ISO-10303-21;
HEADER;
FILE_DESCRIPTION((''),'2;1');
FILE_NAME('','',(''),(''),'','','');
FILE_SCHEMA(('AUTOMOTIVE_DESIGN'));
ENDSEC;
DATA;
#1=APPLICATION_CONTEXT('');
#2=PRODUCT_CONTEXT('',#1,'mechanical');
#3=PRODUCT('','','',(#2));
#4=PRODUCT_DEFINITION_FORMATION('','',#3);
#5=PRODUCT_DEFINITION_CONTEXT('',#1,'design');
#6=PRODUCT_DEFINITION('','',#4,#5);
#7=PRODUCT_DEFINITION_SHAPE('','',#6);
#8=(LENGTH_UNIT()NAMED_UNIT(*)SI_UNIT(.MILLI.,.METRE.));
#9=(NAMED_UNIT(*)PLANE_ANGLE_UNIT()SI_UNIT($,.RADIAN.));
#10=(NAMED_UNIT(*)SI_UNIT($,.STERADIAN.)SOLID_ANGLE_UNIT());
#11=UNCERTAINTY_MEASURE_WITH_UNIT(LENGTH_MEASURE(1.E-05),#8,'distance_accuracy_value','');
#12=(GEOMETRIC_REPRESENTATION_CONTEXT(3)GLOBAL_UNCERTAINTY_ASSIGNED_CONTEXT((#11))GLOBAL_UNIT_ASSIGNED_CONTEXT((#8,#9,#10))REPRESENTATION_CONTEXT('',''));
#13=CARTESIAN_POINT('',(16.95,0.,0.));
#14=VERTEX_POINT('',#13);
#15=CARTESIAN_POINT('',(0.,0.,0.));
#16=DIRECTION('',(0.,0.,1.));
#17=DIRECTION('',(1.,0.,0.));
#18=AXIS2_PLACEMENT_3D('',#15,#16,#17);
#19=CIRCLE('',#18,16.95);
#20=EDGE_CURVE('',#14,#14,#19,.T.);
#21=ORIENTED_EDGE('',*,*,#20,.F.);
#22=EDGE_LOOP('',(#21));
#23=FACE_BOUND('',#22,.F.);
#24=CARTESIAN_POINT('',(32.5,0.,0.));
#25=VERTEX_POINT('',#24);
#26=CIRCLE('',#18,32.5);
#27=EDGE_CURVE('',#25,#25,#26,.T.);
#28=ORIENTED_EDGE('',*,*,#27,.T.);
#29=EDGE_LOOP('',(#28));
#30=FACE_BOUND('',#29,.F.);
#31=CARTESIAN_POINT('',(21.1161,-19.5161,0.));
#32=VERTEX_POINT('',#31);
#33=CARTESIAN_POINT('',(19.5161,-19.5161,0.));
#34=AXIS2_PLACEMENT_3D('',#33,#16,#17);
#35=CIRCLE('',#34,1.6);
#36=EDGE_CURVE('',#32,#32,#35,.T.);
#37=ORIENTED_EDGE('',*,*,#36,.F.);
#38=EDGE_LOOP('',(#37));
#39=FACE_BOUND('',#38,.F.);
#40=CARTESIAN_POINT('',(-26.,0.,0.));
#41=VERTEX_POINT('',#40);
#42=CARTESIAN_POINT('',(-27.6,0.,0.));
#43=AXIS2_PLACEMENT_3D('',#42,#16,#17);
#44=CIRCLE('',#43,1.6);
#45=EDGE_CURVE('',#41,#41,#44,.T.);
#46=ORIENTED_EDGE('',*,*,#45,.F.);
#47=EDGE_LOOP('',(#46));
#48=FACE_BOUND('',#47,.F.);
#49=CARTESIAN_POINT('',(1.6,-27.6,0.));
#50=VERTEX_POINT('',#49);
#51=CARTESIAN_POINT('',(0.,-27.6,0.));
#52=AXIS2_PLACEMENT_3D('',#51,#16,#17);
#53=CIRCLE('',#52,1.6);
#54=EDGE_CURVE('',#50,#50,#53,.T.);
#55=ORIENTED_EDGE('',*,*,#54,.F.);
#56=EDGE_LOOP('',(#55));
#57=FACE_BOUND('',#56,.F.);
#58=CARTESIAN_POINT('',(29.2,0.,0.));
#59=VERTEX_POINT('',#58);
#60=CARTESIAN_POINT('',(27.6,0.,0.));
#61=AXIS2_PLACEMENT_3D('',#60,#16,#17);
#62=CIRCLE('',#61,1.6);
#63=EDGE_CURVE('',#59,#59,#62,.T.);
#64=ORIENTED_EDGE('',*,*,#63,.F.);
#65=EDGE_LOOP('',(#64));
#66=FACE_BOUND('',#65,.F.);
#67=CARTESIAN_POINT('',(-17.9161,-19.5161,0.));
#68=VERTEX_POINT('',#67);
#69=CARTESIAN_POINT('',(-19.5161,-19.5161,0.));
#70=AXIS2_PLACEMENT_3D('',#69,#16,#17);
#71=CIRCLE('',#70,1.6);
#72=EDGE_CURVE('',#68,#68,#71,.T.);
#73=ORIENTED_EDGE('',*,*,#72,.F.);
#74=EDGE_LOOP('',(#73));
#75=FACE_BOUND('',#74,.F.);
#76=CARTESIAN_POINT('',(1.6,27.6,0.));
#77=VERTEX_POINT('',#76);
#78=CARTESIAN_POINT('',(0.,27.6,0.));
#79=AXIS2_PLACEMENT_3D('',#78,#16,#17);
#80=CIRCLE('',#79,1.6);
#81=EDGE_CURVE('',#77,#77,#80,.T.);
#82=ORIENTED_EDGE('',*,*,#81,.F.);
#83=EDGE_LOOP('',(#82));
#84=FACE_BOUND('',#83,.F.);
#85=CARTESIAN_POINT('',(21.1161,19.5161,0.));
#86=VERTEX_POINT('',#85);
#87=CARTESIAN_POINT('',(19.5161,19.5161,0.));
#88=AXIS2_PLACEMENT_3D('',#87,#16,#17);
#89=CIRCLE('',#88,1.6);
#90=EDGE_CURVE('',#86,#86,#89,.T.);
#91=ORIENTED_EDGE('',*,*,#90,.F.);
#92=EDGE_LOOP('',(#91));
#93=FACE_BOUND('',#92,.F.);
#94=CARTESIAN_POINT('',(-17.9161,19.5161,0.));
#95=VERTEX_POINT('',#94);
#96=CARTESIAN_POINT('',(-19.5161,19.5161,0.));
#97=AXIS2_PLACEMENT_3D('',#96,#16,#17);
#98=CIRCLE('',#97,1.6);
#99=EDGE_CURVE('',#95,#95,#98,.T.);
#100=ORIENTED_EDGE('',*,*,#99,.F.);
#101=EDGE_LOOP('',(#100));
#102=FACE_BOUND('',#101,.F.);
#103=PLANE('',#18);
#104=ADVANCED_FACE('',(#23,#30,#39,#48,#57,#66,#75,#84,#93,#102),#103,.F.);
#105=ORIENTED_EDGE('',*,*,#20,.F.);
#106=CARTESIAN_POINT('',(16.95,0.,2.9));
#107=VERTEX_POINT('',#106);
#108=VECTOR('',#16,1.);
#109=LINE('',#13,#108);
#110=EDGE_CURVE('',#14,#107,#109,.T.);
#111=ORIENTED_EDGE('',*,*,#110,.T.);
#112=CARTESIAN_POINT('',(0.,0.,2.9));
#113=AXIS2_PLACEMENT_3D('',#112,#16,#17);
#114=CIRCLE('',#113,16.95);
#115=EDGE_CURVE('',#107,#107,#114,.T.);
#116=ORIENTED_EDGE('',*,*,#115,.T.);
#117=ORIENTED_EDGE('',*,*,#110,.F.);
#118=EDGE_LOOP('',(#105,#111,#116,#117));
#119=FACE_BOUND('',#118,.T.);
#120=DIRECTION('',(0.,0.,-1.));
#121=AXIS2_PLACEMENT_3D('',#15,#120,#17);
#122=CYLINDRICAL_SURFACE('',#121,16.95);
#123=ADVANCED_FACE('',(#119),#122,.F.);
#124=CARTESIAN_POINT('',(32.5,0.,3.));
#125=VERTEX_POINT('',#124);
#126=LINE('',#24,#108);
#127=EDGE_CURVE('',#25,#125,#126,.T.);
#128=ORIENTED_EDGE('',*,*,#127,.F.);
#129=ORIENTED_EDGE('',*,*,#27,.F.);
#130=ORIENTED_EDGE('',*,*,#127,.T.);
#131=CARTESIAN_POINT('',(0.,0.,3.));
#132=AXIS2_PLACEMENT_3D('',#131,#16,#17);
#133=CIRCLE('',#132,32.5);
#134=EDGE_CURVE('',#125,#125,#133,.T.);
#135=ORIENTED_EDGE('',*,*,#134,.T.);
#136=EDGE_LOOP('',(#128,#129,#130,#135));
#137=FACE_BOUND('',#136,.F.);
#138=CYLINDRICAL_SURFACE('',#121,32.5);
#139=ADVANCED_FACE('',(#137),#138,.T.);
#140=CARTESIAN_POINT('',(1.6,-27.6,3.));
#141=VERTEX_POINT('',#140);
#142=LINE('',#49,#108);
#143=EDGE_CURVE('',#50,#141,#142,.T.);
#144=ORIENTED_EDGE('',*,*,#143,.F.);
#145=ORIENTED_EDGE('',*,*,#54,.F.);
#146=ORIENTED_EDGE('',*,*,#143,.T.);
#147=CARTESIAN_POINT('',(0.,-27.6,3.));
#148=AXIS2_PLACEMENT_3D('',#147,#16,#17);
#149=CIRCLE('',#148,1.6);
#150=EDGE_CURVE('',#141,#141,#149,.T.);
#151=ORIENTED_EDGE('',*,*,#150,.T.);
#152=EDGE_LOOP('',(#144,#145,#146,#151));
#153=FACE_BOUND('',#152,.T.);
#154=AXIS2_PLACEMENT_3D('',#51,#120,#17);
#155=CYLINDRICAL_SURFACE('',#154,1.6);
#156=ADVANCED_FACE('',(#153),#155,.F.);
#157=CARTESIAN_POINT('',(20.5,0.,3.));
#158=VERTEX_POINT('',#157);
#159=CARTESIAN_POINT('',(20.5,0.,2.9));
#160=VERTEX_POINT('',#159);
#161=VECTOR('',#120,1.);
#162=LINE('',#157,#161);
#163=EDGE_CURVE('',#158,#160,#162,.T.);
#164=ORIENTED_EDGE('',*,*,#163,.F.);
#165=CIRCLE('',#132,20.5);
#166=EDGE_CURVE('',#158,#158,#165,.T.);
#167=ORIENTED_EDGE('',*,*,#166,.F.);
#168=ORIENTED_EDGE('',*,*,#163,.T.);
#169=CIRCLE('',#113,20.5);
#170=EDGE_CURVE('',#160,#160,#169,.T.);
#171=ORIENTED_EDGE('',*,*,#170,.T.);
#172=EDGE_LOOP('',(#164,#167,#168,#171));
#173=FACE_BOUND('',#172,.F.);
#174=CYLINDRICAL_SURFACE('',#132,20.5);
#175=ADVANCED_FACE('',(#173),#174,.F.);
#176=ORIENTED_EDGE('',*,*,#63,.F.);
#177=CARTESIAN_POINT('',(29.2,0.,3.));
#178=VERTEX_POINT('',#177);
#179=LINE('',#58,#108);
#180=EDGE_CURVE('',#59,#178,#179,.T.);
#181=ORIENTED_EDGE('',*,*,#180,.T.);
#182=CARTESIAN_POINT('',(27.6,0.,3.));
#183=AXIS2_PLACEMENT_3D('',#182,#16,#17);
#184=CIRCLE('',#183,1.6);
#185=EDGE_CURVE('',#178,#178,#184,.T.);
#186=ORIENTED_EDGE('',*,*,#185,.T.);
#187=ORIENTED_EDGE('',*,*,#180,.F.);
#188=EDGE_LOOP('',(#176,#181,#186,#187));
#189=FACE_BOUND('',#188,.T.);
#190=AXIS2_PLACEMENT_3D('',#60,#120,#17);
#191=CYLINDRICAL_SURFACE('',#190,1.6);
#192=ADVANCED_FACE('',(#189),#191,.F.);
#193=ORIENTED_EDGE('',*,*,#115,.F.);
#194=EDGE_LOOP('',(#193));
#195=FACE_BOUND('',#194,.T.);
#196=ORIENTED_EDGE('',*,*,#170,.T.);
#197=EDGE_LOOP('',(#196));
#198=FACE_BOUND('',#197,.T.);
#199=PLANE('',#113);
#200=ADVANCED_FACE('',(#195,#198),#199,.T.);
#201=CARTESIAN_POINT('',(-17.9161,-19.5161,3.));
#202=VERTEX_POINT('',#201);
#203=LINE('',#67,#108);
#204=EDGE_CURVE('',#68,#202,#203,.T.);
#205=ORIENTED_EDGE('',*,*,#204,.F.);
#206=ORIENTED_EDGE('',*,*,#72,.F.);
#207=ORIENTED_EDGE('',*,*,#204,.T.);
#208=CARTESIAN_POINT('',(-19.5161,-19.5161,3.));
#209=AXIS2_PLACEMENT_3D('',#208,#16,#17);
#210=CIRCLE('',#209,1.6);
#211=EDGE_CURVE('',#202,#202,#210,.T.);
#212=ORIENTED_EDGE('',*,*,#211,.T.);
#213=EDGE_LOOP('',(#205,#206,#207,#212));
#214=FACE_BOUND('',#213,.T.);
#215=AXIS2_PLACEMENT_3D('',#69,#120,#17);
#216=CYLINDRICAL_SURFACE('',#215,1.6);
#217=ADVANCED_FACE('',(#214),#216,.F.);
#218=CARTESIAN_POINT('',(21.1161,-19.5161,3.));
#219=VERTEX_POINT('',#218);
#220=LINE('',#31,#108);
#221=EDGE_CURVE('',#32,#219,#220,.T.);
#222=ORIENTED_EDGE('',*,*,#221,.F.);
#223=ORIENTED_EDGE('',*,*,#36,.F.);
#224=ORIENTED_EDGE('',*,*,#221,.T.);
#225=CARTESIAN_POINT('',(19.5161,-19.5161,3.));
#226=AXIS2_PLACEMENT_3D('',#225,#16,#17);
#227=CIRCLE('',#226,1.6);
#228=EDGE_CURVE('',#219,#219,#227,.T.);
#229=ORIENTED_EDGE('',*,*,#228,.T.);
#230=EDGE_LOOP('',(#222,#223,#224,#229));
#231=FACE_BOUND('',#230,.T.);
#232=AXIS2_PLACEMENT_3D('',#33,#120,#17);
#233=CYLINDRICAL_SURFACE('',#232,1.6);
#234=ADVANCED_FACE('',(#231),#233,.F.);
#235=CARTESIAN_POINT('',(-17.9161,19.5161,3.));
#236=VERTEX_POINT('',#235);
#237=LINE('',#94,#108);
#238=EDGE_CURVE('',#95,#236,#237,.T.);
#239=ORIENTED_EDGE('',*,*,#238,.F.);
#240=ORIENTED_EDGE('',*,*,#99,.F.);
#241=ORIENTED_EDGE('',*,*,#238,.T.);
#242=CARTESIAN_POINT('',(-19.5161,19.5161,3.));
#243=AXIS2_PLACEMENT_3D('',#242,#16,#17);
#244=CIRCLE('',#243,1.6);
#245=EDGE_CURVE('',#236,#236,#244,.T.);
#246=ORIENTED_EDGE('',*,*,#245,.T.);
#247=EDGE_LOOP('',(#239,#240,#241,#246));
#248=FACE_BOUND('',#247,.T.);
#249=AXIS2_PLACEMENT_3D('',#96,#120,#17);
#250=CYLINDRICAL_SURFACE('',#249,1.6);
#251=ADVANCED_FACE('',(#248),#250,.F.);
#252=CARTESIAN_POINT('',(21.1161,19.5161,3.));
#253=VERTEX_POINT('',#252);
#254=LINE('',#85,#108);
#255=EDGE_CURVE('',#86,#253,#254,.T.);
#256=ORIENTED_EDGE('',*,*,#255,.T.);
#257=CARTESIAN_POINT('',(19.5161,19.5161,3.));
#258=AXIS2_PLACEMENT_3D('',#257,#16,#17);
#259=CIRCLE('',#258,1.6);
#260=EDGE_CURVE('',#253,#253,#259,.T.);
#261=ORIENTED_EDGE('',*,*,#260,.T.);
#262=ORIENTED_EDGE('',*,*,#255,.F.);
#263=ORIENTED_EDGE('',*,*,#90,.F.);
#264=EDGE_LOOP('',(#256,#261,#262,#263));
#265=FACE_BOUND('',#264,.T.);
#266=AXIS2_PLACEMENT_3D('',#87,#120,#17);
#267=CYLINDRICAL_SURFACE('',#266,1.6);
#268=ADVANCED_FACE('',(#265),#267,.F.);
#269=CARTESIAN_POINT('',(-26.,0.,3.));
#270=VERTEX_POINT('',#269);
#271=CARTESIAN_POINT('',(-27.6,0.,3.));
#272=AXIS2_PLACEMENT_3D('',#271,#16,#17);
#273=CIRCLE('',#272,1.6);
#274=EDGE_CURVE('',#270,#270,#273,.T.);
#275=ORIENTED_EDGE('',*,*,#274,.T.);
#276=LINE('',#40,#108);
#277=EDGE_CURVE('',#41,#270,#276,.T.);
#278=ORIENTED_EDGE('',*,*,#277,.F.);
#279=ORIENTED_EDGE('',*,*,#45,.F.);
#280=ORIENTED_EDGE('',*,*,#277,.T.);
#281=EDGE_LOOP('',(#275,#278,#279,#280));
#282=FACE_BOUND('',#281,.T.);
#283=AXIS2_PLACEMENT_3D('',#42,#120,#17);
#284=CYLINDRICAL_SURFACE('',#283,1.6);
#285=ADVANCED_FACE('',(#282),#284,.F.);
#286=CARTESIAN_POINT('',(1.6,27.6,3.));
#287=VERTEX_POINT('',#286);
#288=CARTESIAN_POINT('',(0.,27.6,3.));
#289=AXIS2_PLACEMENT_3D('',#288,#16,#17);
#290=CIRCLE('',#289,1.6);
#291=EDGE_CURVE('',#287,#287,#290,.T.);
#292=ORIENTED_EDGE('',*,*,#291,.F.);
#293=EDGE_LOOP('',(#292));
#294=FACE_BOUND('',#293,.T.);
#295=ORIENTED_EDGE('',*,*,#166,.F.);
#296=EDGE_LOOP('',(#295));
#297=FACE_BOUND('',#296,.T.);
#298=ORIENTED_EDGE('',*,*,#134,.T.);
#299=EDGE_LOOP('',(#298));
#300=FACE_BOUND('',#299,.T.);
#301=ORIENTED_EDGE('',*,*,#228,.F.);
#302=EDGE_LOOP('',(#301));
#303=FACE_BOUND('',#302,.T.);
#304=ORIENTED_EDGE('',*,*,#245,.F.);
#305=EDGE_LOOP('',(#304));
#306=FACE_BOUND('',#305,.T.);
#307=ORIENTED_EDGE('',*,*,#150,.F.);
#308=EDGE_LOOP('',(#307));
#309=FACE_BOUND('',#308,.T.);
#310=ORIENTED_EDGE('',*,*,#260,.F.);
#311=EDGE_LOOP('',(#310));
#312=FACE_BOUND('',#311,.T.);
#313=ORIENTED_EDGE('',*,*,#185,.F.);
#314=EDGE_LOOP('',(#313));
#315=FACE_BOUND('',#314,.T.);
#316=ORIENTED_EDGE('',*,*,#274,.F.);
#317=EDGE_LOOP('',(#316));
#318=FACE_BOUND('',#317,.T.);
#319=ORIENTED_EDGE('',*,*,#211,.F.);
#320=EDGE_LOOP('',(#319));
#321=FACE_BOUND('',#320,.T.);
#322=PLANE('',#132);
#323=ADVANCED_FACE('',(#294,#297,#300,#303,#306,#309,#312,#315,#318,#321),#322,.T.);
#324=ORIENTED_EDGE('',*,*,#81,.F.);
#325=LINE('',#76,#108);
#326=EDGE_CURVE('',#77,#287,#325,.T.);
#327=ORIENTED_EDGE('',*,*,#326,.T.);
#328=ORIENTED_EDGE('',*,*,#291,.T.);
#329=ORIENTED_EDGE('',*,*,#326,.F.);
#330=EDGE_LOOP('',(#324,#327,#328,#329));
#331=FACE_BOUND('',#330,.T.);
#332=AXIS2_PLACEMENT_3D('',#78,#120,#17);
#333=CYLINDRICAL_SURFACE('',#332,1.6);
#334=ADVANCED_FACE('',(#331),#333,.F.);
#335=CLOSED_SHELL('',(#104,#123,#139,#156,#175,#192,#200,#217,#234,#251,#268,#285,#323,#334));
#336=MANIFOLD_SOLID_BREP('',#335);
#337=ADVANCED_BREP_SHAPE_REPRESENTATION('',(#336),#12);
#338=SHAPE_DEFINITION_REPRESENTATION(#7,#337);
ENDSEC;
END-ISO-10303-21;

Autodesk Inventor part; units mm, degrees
ref_plane "YZ Plane" through (0, 0, 0) normal (1, 0, 0) x (0, 1, 0)
ref_plane "XZ Plane" through (0, 0, 0) normal (0, 1, 0) x (-1, 0, 0)
ref_plane "XY Plane" through (0, 0, 0) normal (0, 0, 1) x (1, 0, 0)
sketch "スケッチ1" plane through (0, 0, 0) normal (0, 0, 1) x (1, 0, 0)
  circle A0 centre (0, 0) radius 16.75 construction
  circle A1 centre (0, 0) radius 32.5
  circle A2 centre (0, 0) radius 27.6 construction
  circle A3 centre (27.6, 0) radius 1.6
  circle A4 centre (19.5161, 19.5161) radius 1.6
  circle A5 centre (0, 27.6) radius 1.6
  circle A6 centre (-19.5161, 19.5161) radius 1.6
  circle A7 centre (-27.6, 0) radius 1.6
  circle A8 centre (-19.5161, -19.5161) radius 1.6
  circle A9 centre (0, -27.6) radius 1.6
  circle A10 centre (19.5161, -19.5161) radius 1.6
  circle A11 centre (0, 0) radius 16.95
  dimension "d11" = 55.2
  dimension "d9" = 65
  dimension "d10" = 33.5
  dimension "d12" = 3.2
  dimension "d15" = 360
  dimension "d17" = 33.9
extrude "押し出し3" add sketch "スケッチ1" along normal blind 3
sketch "スケッチ3" plane through (0, 0, 3) normal (0, 0, 1) x (1, 0, 0)
  circle A0 centre (0, 0) radius 32.5 projected
  circle A1 centre (0, 0) radius 20.5 projected
  circle A2 centre (0, 0) radius 16.95 projected
  circle A3 centre (0, 0) radius 20.5
  circle A4 centre (0, 0) radius 16.95
extrude "押し出し4" cut sketch "スケッチ3" against normal blind 0.1 contours A1
properties part number "軸受けワッシャB_ダブルスラスト用(厚さ2mm_ポケットあり_ジュラコン)" material "アセタール樹脂、黒"
